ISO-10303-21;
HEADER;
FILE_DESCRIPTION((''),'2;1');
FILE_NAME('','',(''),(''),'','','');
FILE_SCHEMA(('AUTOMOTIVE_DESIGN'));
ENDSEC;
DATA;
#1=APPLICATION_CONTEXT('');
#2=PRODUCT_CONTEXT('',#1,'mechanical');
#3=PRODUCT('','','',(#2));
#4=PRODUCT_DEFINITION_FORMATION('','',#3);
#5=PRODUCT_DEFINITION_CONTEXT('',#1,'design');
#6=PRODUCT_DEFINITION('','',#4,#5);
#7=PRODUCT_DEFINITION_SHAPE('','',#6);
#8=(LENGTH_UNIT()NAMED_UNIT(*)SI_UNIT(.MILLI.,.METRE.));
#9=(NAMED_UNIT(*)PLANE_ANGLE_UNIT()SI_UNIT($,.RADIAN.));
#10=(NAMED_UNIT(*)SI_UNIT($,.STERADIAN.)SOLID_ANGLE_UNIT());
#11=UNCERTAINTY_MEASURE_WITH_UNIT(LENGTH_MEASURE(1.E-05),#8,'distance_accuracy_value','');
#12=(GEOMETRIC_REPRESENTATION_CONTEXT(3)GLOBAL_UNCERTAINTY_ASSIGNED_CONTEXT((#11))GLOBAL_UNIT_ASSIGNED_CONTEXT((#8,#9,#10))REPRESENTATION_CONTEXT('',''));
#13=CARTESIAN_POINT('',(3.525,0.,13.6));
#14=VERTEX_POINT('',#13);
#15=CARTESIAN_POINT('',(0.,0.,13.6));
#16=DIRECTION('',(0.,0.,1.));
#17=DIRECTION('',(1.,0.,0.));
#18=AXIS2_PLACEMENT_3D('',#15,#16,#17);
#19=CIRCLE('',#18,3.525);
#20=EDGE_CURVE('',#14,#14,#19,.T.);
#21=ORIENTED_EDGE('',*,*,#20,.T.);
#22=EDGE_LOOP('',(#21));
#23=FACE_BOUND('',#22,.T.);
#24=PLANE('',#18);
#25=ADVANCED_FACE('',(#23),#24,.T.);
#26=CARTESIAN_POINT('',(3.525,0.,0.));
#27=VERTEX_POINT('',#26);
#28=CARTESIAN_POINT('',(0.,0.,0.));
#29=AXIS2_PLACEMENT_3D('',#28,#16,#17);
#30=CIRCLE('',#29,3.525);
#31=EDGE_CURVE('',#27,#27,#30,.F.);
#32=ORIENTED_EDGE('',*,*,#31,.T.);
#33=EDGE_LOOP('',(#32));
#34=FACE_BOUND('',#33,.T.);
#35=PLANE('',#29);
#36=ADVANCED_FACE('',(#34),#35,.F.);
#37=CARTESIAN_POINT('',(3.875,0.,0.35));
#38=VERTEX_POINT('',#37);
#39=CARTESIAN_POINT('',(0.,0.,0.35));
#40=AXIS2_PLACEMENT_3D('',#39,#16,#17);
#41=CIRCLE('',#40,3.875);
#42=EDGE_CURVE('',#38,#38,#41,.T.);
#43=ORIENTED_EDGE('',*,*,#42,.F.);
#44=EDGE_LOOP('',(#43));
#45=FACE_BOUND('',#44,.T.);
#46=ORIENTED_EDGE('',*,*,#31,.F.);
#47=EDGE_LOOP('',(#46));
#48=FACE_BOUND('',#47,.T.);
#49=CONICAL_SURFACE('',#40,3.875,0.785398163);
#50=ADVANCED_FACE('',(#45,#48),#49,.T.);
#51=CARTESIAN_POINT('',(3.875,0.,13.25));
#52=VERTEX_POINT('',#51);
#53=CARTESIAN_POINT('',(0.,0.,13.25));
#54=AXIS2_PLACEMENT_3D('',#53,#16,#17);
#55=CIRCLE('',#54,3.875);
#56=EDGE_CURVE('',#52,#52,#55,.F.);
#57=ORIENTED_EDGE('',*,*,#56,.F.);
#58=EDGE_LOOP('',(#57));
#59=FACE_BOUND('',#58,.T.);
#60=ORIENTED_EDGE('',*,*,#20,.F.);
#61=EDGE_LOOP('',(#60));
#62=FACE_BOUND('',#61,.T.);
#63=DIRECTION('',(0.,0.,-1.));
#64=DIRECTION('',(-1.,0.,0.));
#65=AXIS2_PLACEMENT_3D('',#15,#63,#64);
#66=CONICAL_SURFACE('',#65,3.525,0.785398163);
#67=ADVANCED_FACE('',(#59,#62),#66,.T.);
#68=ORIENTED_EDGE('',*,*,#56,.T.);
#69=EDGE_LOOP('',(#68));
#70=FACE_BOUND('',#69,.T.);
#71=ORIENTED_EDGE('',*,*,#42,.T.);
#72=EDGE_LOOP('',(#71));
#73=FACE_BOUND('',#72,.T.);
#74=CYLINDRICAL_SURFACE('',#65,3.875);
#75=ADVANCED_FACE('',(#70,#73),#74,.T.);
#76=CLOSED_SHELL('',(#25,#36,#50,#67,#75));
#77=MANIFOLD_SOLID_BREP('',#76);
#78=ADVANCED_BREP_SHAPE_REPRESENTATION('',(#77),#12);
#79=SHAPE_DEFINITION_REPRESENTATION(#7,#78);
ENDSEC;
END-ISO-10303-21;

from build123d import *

# Parameters (mm, degrees)
SKETCH1_R           = 3.875
BOSS_EXTRUDE1_DEPTH = 13.6
CHAMFER1_SIZE       = 0.35


with BuildPart() as part:
    # Sketch1 → Boss-Extrude1 (new body)
    with BuildSketch(Plane.XY):
        Circle(SKETCH1_R)
    extrude(amount=BOSS_EXTRUDE1_DEPTH)

    # Chamfer1
    chamfer1_edges = [part.edges().sort_by_distance(p)[0] for p in [
        (-3.875, 0, 0),
        (-3.875, 0, 13.6),
    ]]
    chamfer(chamfer1_edges, length=CHAMFER1_SIZE)


solid = part.part
